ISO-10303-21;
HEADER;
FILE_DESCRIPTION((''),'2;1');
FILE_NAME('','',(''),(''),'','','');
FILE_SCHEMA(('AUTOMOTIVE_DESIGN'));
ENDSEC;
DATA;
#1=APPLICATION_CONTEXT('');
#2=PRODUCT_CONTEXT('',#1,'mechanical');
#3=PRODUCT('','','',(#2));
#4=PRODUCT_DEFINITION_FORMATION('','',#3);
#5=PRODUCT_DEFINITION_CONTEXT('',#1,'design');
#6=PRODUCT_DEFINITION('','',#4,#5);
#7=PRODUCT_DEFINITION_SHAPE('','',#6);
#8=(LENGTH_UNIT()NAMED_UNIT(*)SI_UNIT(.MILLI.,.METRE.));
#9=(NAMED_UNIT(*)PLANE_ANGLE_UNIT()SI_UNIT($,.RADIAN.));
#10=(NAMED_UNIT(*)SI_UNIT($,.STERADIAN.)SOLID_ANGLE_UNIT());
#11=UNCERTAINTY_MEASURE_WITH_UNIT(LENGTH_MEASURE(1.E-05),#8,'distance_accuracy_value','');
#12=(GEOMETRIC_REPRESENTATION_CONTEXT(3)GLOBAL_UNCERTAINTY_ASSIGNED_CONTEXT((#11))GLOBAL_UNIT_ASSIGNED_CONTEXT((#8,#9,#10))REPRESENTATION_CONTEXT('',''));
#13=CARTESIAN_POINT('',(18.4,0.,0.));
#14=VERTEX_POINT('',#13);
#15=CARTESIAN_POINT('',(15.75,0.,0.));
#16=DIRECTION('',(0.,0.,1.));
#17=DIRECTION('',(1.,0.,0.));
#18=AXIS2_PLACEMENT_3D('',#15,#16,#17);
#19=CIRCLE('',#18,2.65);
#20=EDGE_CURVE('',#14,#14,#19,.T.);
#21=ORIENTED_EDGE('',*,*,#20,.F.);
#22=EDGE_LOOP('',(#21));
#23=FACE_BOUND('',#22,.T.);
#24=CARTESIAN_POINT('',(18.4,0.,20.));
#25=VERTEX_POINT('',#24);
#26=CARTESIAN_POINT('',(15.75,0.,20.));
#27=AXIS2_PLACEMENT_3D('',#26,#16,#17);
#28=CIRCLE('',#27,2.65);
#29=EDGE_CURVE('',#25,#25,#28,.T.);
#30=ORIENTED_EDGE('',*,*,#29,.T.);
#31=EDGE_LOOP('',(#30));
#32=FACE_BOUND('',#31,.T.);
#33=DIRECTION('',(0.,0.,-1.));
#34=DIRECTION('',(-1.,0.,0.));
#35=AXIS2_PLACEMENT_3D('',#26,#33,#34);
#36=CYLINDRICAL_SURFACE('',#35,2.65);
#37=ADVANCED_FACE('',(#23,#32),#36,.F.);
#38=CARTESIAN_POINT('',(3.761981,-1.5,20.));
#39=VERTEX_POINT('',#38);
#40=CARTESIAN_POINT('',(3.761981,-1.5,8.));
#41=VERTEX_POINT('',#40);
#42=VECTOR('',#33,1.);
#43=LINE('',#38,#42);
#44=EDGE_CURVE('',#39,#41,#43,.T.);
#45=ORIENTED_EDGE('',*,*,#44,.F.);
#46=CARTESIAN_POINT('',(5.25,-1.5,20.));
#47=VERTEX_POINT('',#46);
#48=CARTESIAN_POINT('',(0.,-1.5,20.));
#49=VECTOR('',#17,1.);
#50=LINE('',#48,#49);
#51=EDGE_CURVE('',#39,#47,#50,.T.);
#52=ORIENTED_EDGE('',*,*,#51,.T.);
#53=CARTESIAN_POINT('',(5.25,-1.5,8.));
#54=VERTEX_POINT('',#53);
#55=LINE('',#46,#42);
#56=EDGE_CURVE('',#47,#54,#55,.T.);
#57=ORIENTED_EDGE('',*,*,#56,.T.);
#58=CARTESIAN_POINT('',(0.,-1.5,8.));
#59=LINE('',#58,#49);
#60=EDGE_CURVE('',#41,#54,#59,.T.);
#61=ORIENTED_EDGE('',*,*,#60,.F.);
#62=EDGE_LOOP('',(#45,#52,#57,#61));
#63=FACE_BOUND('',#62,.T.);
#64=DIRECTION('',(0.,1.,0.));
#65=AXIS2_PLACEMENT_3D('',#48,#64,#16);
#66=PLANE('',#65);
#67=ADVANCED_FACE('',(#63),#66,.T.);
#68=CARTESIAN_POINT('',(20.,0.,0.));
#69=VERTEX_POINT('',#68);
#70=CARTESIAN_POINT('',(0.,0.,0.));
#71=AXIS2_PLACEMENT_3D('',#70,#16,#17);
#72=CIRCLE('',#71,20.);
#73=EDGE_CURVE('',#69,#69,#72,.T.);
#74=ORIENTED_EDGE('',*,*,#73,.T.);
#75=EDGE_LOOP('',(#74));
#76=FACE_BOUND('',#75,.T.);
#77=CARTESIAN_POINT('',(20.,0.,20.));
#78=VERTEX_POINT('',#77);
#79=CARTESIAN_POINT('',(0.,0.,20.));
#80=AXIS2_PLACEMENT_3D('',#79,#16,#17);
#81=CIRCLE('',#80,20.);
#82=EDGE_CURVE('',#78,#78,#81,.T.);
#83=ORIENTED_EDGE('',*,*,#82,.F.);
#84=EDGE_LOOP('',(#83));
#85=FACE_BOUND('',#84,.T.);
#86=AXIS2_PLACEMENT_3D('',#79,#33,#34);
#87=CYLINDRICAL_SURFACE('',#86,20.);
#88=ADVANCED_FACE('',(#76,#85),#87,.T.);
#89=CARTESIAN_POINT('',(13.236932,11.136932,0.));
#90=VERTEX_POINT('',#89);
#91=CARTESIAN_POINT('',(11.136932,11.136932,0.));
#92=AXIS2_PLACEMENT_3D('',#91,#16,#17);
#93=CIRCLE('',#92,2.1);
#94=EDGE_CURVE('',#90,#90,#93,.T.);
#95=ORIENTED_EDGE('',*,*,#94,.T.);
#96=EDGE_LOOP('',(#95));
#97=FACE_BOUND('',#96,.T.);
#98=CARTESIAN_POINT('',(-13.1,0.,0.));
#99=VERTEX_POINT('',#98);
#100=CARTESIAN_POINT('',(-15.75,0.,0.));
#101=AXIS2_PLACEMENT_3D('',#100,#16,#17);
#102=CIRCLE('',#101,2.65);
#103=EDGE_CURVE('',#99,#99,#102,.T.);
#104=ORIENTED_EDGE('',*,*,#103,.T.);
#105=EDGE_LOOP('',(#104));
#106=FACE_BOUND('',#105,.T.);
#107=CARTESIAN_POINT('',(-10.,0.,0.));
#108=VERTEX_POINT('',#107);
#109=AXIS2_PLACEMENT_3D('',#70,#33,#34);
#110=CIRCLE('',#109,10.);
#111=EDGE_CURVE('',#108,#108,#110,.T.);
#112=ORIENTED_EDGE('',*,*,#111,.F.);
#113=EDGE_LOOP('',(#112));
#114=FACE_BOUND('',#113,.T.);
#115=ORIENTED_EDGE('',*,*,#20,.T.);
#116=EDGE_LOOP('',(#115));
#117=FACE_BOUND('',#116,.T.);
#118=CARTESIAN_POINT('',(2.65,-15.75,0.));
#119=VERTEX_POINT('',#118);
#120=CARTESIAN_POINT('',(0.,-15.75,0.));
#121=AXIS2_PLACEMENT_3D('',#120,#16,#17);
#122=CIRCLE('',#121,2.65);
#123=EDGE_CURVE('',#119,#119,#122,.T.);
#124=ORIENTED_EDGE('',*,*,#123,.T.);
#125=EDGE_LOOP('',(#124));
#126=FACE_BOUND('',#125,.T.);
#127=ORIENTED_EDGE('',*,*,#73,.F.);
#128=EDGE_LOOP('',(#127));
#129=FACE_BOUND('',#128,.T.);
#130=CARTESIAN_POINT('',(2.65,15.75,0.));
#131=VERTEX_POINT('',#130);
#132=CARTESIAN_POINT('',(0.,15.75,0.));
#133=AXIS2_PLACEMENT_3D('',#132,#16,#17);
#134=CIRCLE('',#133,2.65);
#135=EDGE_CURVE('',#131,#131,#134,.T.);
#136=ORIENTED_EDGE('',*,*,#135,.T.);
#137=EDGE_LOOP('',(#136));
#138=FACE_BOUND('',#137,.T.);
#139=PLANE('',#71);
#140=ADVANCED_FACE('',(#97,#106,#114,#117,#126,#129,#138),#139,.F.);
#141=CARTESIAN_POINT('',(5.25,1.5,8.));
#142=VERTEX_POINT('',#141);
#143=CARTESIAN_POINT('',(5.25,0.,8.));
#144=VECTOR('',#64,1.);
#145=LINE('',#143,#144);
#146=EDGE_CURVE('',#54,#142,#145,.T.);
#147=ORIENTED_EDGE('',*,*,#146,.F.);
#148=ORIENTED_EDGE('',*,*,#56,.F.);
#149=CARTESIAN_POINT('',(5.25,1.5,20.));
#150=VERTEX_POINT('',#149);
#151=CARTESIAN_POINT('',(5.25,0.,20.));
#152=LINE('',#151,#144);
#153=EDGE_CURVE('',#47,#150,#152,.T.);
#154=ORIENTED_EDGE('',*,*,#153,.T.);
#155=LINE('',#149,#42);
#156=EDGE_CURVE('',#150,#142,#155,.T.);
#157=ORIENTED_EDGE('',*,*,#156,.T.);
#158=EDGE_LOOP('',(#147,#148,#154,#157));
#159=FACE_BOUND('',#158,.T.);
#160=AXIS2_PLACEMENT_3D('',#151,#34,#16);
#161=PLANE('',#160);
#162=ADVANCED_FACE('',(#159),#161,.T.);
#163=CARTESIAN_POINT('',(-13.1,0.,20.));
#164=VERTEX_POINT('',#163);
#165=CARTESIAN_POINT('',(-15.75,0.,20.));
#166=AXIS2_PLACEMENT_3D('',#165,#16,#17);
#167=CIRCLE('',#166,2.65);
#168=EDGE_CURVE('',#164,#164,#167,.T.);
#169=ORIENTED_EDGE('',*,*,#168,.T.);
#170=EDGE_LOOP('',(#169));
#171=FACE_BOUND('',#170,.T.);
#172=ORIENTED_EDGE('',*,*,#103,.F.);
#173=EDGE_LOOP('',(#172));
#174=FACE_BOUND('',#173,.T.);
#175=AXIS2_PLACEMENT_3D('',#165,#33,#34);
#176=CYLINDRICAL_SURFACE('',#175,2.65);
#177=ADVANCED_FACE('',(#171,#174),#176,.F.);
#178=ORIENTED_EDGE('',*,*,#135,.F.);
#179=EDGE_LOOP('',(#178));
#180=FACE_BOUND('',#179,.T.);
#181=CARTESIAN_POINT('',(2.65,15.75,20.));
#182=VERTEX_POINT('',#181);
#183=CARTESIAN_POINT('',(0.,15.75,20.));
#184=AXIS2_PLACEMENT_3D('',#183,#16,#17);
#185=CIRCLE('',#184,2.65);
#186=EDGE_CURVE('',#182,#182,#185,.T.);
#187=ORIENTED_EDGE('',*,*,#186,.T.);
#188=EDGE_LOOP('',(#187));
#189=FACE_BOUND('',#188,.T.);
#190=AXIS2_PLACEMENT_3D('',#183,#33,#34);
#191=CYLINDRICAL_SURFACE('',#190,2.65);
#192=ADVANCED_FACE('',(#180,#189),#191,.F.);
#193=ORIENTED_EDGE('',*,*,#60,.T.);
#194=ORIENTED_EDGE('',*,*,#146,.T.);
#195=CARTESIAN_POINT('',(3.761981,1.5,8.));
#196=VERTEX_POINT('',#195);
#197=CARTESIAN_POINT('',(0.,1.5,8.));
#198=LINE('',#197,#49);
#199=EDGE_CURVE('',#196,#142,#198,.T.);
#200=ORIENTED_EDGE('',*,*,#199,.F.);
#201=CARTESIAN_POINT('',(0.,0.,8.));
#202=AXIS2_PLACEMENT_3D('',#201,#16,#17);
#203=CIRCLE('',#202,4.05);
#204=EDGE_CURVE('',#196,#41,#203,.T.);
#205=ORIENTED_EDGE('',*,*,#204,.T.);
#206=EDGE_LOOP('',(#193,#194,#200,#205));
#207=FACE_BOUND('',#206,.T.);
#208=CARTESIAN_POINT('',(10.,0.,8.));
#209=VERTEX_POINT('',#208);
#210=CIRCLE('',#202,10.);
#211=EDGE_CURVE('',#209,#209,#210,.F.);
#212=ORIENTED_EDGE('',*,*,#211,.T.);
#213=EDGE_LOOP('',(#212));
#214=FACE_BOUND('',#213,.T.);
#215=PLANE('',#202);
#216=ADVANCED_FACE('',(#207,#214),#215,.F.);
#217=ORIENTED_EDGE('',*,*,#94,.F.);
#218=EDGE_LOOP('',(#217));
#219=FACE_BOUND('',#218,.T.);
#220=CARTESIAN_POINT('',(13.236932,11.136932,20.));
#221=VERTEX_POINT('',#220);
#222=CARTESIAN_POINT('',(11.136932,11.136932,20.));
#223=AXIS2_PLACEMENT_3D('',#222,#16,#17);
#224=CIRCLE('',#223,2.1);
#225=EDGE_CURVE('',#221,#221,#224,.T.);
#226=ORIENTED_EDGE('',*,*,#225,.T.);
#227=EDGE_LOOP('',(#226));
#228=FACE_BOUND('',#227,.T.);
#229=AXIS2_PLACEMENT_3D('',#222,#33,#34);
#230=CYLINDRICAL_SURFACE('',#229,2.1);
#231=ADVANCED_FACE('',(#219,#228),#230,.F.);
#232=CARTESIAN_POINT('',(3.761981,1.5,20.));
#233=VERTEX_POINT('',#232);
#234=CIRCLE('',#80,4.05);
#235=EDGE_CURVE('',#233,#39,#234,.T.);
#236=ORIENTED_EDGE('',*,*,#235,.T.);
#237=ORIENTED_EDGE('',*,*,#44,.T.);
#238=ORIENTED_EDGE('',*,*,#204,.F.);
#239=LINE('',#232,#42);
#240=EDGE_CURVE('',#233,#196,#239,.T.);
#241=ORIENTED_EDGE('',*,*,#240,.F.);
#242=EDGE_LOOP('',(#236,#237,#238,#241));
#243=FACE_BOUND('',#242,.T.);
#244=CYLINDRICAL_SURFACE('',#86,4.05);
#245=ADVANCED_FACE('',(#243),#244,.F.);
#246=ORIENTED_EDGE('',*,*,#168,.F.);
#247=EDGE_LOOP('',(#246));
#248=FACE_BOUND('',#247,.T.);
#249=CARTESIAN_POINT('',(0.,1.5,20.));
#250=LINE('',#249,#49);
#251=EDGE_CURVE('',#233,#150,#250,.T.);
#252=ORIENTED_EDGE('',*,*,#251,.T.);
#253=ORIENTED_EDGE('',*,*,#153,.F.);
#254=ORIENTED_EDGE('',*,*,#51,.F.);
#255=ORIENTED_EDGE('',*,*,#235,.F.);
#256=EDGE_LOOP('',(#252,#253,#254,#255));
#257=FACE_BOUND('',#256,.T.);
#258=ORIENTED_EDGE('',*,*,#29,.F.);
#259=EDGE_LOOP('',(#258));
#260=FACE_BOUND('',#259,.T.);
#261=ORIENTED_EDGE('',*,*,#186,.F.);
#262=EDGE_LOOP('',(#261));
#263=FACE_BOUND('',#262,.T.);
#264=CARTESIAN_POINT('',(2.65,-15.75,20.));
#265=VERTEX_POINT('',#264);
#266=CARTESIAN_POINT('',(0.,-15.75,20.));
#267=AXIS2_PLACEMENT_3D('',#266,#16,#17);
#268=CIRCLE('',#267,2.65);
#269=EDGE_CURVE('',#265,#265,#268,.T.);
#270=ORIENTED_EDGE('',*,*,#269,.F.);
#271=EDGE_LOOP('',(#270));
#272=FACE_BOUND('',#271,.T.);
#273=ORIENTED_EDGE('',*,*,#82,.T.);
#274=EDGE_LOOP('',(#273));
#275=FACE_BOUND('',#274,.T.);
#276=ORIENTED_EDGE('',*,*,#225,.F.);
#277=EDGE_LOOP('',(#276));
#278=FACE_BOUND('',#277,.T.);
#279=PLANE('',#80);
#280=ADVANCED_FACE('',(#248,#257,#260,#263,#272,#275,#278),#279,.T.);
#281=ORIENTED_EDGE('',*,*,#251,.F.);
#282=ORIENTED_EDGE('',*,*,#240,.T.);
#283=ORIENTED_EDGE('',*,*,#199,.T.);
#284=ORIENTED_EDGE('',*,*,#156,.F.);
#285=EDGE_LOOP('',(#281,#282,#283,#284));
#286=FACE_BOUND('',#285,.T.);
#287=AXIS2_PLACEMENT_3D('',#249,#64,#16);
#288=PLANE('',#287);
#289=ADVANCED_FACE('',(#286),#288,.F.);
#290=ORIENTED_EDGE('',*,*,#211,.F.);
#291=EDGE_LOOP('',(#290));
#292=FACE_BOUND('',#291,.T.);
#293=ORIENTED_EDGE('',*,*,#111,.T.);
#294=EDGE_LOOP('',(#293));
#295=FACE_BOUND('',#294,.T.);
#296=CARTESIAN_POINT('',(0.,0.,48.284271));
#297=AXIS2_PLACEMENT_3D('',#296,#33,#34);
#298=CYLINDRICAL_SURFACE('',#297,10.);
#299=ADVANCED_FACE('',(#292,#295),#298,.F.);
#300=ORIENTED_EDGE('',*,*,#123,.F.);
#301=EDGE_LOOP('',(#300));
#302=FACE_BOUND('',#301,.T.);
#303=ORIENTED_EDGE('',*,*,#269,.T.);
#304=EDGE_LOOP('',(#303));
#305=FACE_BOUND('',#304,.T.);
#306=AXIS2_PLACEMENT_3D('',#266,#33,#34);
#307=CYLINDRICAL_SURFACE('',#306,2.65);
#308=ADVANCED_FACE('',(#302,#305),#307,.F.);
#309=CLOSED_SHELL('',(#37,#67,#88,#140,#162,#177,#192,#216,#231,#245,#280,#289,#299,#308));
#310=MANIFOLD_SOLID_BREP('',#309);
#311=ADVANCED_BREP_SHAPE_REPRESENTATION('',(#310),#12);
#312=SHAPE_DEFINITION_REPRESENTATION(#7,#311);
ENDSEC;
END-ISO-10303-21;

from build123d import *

# Parameters (mm, degrees)
SKETCH1_R                       = 20
SKETCH1_R_2                     = 2.1
SKETCH1_R_3                     = 2.65
SKETCH1_R_4                     = 10
BOSS_EXTRUDE1_DEPTH             = 20
SKIZZE1_R                       = 10
SCHNITT_LINEAR_AUSTRAGEN1_DEPTH = 8


with BuildPart() as part:
    # Sketch1 → Boss-Extrude1 (new body)
    # profile 1 of 2: a face of its own
    with BuildSketch(Plane.XY):
        Circle(SKETCH1_R)
        with Locations((11.136931804, 11.136931804)):
            Circle(SKETCH1_R_2, mode=Mode.SUBTRACT)
        with Locations((-15.75, 0)):
            Circle(SKETCH1_R_3, mode=Mode.SUBTRACT)
        with Locations((0, -15.75)):
            Circle(SKETCH1_R_3, mode=Mode.SUBTRACT)
        with Locations((15.75, 0)):
            Circle(SKETCH1_R_3, mode=Mode.SUBTRACT)
        with Locations((0, 15.75)):
            Circle(SKETCH1_R_3, mode=Mode.SUBTRACT)
        Circle(SKETCH1_R_4, mode=Mode.SUBTRACT)
    # profile 2 of 2: a face of its own
    with BuildSketch(Plane.XY):
        Circle(SKETCH1_R_4)
        with BuildLine():
            Line((5.25, -1.5), (3.761980861, -1.5))
            ThreePointArc((3.761980861, -1.5), (-4.05, 0), (3.761980861, 1.5))
            Line((3.761980861, 1.5), (5.25, 1.5))
            Line((5.25, 1.5), (5.25, -1.5))
        make_face(mode=Mode.SUBTRACT)
    extrude(amount=BOSS_EXTRUDE1_DEPTH)

    # Skizze1 → Schnitt-Linear austragen1 (cut)
    with BuildSketch(Plane(origin=(0, 0, 0), x_dir=(-1, 0, 0), z_dir=(0, 0, -1))):
        Circle(SKIZZE1_R)
    extrude(amount=-SCHNITT_LINEAR_AUSTRAGEN1_DEPTH, mode=Mode.SUBTRACT)


solid = part.part
